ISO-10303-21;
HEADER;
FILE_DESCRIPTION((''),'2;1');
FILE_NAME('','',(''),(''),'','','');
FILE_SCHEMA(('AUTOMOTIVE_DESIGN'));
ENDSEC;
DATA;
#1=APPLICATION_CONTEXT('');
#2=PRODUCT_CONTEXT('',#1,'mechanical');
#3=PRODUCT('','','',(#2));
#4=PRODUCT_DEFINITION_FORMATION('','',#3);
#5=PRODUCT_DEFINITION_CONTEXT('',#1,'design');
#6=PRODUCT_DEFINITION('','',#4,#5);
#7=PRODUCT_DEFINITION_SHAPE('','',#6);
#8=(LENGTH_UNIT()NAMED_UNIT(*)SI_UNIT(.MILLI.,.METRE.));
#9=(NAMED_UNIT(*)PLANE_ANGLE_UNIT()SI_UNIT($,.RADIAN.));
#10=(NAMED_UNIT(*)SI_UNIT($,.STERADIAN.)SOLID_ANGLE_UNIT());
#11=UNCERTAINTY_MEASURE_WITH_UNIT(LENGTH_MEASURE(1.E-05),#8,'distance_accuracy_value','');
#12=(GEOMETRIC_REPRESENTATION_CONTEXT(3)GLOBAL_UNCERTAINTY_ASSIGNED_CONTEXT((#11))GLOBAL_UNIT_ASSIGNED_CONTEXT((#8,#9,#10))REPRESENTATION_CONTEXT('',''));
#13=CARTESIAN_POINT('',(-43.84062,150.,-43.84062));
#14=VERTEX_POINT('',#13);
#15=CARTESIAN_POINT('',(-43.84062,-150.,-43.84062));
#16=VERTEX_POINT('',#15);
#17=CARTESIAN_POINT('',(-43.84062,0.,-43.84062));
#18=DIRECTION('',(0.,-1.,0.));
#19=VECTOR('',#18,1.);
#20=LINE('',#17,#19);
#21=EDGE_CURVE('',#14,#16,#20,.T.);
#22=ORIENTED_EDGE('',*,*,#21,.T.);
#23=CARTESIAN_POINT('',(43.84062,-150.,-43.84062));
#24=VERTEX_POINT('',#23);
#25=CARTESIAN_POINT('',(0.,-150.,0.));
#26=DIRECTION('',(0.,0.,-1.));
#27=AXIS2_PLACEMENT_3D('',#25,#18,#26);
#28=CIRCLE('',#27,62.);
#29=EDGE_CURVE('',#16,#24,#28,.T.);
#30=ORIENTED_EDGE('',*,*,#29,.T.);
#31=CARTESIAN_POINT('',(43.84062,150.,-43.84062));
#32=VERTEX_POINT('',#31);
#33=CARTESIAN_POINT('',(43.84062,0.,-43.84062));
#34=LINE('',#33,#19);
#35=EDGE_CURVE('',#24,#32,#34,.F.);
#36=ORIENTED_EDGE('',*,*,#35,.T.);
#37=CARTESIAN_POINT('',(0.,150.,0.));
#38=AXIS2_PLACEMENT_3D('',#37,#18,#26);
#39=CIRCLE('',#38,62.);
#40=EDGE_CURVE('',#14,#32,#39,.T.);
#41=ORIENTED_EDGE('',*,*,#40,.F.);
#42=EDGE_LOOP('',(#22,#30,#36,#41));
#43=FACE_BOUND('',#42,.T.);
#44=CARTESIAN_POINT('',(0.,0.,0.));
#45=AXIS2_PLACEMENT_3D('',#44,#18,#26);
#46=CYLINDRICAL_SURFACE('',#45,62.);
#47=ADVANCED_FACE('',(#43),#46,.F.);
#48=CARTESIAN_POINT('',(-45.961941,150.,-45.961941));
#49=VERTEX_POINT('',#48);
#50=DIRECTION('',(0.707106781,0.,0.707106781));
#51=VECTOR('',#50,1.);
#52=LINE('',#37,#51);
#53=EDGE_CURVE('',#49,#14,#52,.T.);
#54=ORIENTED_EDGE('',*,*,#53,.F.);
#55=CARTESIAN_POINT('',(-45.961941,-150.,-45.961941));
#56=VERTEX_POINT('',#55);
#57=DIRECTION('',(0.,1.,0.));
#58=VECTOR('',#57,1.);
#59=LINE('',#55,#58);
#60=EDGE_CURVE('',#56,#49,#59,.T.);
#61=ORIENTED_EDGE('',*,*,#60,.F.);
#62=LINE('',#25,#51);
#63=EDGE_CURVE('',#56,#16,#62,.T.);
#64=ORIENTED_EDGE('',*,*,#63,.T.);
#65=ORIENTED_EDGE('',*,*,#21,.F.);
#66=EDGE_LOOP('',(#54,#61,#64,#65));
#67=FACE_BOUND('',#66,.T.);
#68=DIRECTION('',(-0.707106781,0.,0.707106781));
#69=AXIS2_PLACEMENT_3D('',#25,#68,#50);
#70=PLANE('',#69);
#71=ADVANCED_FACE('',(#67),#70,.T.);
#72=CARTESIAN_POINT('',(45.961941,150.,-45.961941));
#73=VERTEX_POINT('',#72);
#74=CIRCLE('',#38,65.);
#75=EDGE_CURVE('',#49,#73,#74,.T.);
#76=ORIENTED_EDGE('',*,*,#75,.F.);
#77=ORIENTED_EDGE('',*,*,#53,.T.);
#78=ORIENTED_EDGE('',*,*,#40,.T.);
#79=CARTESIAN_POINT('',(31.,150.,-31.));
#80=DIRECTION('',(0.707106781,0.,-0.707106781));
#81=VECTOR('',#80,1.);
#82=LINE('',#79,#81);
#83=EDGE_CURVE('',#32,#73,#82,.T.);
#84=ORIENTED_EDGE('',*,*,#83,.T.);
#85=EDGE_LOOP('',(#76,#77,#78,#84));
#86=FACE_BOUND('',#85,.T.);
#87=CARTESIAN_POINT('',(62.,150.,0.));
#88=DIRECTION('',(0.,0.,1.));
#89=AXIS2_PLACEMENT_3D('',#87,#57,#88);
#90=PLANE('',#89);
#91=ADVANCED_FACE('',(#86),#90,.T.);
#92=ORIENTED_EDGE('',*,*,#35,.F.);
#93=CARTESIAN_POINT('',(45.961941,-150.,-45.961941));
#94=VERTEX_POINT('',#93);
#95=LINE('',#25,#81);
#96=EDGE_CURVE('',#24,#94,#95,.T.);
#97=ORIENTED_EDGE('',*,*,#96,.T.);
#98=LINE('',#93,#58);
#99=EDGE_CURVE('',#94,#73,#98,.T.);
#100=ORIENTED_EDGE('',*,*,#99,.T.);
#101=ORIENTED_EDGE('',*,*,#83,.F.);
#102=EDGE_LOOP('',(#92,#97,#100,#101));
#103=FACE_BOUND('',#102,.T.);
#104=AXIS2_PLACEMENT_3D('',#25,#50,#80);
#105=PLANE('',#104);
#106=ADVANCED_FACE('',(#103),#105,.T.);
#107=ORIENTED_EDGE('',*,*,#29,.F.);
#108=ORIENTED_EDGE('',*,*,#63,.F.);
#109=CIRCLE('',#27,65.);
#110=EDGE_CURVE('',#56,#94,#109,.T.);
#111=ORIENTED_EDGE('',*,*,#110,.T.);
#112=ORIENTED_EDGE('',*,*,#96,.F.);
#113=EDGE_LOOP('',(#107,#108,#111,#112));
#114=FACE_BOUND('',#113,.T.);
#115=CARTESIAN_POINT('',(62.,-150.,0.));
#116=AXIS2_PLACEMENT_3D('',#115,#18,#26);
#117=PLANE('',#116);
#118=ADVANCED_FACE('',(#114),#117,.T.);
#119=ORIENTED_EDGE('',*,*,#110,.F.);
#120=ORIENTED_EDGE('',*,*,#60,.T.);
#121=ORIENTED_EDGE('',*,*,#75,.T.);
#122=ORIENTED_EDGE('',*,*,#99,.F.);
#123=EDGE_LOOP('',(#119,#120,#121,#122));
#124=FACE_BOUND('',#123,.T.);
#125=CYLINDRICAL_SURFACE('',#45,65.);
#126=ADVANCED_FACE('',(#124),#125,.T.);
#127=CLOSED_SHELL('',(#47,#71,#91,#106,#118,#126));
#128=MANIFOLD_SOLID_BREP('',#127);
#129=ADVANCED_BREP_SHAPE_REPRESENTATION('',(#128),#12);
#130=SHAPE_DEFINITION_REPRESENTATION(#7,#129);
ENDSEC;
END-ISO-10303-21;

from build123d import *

# Parameters (mm, degrees)
SKETCH1_W          = 3
SKETCH1_H          = 300
SKETCH6_OUTSIDE_W  = 202.37
SKETCH6_OUTSIDE_H  = 202.37
CUT_EXTRUDE2_DEPTH = 314.767429795


with BuildPart() as part:
    # Sketch1 → Revolve1 (revolve)
    with BuildSketch(Plane.XY):
        with Locations((63.5, 0)):
            Rectangle(SKETCH1_W, SKETCH1_H)
    revolve(axis=Axis((0, 0, 0), (0, 1, 0)))

    # Sketch6 outside → Cut-Extrude2 (cut, through all)
    with BuildSketch(Plane(origin=(0, 150, 0), x_dir=(1, 0, 0), z_dir=(0, 1, 0))):
        Rectangle(SKETCH6_OUTSIDE_W, SKETCH6_OUTSIDE_H)
        with BuildLine():
            Line((0, 0), (-45.961940777, 45.961940777))
            ThreePointArc((-45.961940777, 45.961940777), (0, 65), (45.961940777, 45.961940777))
            Line((45.961940777, 45.961940777), (0, 0))
        make_face(mode=Mode.SUBTRACT)
    extrude(amount=-CUT_EXTRUDE2_DEPTH, mode=Mode.SUBTRACT)


solid = part.part
